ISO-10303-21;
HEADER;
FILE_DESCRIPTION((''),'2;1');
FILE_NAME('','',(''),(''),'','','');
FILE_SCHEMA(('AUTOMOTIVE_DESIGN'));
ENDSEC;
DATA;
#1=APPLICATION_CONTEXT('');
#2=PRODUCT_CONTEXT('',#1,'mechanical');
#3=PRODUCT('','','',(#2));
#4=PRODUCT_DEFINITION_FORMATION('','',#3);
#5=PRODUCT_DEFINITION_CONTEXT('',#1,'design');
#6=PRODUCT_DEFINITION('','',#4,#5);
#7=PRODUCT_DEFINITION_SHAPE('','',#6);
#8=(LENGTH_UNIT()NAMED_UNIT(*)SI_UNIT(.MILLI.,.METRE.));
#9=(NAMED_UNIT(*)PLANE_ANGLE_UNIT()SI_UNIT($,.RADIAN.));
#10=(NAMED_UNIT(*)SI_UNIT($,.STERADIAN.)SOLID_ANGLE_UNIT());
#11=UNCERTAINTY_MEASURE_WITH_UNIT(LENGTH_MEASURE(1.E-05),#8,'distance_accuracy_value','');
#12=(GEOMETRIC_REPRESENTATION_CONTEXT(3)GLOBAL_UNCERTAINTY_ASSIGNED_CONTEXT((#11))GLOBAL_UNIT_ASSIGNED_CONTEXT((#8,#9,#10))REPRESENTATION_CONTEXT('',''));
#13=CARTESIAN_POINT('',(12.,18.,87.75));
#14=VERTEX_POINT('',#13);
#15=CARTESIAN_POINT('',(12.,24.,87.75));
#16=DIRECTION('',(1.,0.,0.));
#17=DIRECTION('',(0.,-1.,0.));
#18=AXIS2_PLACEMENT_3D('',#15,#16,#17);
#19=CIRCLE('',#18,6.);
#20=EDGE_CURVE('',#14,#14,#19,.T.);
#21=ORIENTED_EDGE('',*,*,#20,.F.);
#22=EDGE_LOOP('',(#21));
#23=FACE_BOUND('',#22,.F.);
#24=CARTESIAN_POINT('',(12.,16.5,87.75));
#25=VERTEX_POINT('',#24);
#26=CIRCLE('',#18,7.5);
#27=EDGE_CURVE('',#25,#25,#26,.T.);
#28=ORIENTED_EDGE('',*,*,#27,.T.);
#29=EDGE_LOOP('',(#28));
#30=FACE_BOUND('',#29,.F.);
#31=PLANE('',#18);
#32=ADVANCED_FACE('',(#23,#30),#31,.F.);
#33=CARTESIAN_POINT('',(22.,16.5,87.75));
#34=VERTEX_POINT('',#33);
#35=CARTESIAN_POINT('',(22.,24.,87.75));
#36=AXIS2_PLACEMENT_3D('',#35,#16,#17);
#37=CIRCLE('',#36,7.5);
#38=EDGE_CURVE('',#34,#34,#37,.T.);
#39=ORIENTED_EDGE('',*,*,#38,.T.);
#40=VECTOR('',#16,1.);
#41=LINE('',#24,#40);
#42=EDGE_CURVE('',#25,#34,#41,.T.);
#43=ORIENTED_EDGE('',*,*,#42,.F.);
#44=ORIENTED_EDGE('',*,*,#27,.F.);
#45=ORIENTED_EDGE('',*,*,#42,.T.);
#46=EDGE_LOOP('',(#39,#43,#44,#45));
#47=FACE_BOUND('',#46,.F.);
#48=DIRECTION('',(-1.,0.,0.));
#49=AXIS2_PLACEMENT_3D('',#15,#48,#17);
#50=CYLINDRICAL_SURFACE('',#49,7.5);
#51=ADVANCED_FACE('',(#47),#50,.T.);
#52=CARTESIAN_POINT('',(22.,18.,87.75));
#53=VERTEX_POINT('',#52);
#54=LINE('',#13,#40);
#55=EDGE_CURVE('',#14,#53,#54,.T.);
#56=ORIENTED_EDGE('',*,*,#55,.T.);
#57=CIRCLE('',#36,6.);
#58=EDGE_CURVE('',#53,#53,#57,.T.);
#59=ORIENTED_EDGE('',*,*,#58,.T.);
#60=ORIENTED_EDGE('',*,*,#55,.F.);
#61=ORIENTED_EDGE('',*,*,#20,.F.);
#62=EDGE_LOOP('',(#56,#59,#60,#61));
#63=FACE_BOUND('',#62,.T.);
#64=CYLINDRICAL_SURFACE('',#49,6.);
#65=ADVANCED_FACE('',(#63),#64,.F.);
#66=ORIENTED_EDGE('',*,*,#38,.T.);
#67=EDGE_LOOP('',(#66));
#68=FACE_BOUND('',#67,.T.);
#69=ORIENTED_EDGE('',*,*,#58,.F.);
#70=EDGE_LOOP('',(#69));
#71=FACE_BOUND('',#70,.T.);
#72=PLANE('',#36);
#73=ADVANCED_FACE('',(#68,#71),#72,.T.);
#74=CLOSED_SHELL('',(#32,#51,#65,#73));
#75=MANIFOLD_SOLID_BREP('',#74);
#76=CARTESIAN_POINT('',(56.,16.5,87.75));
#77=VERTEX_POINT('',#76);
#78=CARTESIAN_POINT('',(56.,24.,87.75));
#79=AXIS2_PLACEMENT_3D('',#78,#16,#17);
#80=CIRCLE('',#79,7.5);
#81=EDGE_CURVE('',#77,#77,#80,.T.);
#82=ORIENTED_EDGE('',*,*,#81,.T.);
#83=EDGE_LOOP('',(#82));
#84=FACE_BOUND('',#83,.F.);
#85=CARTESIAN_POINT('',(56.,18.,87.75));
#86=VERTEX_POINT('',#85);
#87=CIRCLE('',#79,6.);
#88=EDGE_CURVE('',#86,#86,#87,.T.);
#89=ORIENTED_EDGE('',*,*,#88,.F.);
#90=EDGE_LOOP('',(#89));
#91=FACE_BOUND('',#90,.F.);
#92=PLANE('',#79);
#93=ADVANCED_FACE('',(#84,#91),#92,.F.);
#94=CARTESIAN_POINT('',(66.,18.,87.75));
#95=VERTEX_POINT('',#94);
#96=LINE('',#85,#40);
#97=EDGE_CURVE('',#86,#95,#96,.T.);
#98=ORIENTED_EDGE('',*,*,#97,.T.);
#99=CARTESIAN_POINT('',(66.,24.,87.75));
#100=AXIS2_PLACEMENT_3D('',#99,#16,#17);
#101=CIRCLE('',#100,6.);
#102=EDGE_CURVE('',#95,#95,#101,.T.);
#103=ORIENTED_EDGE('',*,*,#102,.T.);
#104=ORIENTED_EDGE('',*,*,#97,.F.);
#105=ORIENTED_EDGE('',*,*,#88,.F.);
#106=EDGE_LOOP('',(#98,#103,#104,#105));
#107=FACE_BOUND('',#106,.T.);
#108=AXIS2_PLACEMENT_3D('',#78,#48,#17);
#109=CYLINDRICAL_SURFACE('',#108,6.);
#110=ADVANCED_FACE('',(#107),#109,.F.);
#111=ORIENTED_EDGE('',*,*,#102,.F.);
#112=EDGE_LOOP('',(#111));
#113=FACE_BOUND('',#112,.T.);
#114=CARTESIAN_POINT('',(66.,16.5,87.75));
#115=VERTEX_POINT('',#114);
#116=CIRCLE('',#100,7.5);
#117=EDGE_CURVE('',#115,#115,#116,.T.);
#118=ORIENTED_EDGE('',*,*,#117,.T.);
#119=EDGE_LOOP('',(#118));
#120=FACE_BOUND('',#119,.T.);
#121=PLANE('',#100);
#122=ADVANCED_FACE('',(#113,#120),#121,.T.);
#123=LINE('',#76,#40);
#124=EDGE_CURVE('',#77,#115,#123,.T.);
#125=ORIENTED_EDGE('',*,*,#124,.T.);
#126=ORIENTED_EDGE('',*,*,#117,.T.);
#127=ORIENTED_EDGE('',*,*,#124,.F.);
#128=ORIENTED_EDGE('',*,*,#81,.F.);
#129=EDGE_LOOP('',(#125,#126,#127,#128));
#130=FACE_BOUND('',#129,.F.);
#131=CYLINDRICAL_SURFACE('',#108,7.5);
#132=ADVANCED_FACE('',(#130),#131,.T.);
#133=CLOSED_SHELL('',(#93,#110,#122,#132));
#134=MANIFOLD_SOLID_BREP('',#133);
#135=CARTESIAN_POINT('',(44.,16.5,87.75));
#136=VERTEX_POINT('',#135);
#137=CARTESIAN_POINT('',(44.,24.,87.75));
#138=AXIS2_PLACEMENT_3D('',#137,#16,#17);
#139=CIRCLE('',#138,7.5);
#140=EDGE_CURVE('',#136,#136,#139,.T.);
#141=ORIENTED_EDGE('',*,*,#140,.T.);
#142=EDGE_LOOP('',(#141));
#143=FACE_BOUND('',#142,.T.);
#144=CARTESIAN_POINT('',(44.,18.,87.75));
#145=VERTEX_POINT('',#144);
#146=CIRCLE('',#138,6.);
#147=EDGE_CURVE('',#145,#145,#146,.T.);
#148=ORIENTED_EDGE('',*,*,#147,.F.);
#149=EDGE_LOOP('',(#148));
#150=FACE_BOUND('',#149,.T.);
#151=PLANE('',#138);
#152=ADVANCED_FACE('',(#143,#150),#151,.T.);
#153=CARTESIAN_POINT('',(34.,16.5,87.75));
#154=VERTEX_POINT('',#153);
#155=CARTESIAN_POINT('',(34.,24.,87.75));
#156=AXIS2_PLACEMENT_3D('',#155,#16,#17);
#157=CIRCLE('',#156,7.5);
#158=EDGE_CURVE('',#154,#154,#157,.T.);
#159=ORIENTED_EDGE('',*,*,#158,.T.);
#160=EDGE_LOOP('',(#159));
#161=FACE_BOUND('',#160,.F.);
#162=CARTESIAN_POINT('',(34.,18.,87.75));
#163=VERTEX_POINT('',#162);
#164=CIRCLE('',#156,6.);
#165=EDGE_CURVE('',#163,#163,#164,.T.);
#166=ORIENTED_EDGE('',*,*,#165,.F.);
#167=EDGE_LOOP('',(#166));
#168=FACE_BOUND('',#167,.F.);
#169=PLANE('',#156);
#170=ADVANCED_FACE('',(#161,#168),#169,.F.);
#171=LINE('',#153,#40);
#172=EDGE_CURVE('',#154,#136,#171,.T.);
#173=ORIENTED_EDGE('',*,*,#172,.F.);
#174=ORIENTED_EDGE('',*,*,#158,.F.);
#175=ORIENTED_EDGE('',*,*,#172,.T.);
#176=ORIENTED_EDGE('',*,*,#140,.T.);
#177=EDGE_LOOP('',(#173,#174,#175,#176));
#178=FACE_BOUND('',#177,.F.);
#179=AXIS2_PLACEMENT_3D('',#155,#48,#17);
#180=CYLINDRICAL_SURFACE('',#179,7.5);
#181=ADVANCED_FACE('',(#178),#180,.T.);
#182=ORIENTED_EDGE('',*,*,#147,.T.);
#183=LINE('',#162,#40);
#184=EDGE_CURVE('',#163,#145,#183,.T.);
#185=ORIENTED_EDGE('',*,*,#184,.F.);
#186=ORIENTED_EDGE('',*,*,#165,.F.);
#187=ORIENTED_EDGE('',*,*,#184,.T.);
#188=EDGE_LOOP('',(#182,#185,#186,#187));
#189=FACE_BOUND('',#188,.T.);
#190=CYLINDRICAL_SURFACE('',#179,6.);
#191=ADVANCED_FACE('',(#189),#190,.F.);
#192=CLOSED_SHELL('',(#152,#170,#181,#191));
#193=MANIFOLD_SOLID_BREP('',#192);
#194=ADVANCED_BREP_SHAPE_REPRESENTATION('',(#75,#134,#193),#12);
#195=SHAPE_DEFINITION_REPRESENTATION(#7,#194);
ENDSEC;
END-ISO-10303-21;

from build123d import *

# Parameters (mm, degrees)
TUBE001_R     = 7.5
TUBE001_R_2   = 6
TUBE001_DEPTH = 10
TUBE002_R     = 7.5
TUBE002_R_2   = 6
TUBE002_DEPTH = 10
TUBE_R        = 7.5
TUBE_R_2      = 6
TUBE_DEPTH    = 10


with BuildPart() as tube001:
    # Tube001 → Tube001 (new body)
    with BuildSketch(Plane(origin=(56, 24, 87.75), x_dir=(0, -1, 0), z_dir=(1, 0, 0))):
        Circle(TUBE001_R)
        Circle(TUBE001_R_2, mode=Mode.SUBTRACT)
    extrude(amount=TUBE001_DEPTH)


with BuildPart() as tube002:
    # Tube002 → Tube002 (new body)
    with BuildSketch(Plane(origin=(12, 24, 87.75), x_dir=(0, -1, 0), z_dir=(1, 0, 0))):
        Circle(TUBE002_R)
        Circle(TUBE002_R_2, mode=Mode.SUBTRACT)
    extrude(amount=TUBE002_DEPTH)


with BuildPart() as lacecuts:
    # Tube → Tube (new body)
    with BuildSketch(Plane(origin=(34, 24, 87.75), x_dir=(0, -1, 0), z_dir=(1, 0, 0))):
        Circle(TUBE_R)
        Circle(TUBE_R_2, mode=Mode.SUBTRACT)
    extrude(amount=TUBE_DEPTH)

    # Fusion044: union Tube001, Tube002
    add(tube001.part)
    add(tube002.part)


solid = lacecuts.part
